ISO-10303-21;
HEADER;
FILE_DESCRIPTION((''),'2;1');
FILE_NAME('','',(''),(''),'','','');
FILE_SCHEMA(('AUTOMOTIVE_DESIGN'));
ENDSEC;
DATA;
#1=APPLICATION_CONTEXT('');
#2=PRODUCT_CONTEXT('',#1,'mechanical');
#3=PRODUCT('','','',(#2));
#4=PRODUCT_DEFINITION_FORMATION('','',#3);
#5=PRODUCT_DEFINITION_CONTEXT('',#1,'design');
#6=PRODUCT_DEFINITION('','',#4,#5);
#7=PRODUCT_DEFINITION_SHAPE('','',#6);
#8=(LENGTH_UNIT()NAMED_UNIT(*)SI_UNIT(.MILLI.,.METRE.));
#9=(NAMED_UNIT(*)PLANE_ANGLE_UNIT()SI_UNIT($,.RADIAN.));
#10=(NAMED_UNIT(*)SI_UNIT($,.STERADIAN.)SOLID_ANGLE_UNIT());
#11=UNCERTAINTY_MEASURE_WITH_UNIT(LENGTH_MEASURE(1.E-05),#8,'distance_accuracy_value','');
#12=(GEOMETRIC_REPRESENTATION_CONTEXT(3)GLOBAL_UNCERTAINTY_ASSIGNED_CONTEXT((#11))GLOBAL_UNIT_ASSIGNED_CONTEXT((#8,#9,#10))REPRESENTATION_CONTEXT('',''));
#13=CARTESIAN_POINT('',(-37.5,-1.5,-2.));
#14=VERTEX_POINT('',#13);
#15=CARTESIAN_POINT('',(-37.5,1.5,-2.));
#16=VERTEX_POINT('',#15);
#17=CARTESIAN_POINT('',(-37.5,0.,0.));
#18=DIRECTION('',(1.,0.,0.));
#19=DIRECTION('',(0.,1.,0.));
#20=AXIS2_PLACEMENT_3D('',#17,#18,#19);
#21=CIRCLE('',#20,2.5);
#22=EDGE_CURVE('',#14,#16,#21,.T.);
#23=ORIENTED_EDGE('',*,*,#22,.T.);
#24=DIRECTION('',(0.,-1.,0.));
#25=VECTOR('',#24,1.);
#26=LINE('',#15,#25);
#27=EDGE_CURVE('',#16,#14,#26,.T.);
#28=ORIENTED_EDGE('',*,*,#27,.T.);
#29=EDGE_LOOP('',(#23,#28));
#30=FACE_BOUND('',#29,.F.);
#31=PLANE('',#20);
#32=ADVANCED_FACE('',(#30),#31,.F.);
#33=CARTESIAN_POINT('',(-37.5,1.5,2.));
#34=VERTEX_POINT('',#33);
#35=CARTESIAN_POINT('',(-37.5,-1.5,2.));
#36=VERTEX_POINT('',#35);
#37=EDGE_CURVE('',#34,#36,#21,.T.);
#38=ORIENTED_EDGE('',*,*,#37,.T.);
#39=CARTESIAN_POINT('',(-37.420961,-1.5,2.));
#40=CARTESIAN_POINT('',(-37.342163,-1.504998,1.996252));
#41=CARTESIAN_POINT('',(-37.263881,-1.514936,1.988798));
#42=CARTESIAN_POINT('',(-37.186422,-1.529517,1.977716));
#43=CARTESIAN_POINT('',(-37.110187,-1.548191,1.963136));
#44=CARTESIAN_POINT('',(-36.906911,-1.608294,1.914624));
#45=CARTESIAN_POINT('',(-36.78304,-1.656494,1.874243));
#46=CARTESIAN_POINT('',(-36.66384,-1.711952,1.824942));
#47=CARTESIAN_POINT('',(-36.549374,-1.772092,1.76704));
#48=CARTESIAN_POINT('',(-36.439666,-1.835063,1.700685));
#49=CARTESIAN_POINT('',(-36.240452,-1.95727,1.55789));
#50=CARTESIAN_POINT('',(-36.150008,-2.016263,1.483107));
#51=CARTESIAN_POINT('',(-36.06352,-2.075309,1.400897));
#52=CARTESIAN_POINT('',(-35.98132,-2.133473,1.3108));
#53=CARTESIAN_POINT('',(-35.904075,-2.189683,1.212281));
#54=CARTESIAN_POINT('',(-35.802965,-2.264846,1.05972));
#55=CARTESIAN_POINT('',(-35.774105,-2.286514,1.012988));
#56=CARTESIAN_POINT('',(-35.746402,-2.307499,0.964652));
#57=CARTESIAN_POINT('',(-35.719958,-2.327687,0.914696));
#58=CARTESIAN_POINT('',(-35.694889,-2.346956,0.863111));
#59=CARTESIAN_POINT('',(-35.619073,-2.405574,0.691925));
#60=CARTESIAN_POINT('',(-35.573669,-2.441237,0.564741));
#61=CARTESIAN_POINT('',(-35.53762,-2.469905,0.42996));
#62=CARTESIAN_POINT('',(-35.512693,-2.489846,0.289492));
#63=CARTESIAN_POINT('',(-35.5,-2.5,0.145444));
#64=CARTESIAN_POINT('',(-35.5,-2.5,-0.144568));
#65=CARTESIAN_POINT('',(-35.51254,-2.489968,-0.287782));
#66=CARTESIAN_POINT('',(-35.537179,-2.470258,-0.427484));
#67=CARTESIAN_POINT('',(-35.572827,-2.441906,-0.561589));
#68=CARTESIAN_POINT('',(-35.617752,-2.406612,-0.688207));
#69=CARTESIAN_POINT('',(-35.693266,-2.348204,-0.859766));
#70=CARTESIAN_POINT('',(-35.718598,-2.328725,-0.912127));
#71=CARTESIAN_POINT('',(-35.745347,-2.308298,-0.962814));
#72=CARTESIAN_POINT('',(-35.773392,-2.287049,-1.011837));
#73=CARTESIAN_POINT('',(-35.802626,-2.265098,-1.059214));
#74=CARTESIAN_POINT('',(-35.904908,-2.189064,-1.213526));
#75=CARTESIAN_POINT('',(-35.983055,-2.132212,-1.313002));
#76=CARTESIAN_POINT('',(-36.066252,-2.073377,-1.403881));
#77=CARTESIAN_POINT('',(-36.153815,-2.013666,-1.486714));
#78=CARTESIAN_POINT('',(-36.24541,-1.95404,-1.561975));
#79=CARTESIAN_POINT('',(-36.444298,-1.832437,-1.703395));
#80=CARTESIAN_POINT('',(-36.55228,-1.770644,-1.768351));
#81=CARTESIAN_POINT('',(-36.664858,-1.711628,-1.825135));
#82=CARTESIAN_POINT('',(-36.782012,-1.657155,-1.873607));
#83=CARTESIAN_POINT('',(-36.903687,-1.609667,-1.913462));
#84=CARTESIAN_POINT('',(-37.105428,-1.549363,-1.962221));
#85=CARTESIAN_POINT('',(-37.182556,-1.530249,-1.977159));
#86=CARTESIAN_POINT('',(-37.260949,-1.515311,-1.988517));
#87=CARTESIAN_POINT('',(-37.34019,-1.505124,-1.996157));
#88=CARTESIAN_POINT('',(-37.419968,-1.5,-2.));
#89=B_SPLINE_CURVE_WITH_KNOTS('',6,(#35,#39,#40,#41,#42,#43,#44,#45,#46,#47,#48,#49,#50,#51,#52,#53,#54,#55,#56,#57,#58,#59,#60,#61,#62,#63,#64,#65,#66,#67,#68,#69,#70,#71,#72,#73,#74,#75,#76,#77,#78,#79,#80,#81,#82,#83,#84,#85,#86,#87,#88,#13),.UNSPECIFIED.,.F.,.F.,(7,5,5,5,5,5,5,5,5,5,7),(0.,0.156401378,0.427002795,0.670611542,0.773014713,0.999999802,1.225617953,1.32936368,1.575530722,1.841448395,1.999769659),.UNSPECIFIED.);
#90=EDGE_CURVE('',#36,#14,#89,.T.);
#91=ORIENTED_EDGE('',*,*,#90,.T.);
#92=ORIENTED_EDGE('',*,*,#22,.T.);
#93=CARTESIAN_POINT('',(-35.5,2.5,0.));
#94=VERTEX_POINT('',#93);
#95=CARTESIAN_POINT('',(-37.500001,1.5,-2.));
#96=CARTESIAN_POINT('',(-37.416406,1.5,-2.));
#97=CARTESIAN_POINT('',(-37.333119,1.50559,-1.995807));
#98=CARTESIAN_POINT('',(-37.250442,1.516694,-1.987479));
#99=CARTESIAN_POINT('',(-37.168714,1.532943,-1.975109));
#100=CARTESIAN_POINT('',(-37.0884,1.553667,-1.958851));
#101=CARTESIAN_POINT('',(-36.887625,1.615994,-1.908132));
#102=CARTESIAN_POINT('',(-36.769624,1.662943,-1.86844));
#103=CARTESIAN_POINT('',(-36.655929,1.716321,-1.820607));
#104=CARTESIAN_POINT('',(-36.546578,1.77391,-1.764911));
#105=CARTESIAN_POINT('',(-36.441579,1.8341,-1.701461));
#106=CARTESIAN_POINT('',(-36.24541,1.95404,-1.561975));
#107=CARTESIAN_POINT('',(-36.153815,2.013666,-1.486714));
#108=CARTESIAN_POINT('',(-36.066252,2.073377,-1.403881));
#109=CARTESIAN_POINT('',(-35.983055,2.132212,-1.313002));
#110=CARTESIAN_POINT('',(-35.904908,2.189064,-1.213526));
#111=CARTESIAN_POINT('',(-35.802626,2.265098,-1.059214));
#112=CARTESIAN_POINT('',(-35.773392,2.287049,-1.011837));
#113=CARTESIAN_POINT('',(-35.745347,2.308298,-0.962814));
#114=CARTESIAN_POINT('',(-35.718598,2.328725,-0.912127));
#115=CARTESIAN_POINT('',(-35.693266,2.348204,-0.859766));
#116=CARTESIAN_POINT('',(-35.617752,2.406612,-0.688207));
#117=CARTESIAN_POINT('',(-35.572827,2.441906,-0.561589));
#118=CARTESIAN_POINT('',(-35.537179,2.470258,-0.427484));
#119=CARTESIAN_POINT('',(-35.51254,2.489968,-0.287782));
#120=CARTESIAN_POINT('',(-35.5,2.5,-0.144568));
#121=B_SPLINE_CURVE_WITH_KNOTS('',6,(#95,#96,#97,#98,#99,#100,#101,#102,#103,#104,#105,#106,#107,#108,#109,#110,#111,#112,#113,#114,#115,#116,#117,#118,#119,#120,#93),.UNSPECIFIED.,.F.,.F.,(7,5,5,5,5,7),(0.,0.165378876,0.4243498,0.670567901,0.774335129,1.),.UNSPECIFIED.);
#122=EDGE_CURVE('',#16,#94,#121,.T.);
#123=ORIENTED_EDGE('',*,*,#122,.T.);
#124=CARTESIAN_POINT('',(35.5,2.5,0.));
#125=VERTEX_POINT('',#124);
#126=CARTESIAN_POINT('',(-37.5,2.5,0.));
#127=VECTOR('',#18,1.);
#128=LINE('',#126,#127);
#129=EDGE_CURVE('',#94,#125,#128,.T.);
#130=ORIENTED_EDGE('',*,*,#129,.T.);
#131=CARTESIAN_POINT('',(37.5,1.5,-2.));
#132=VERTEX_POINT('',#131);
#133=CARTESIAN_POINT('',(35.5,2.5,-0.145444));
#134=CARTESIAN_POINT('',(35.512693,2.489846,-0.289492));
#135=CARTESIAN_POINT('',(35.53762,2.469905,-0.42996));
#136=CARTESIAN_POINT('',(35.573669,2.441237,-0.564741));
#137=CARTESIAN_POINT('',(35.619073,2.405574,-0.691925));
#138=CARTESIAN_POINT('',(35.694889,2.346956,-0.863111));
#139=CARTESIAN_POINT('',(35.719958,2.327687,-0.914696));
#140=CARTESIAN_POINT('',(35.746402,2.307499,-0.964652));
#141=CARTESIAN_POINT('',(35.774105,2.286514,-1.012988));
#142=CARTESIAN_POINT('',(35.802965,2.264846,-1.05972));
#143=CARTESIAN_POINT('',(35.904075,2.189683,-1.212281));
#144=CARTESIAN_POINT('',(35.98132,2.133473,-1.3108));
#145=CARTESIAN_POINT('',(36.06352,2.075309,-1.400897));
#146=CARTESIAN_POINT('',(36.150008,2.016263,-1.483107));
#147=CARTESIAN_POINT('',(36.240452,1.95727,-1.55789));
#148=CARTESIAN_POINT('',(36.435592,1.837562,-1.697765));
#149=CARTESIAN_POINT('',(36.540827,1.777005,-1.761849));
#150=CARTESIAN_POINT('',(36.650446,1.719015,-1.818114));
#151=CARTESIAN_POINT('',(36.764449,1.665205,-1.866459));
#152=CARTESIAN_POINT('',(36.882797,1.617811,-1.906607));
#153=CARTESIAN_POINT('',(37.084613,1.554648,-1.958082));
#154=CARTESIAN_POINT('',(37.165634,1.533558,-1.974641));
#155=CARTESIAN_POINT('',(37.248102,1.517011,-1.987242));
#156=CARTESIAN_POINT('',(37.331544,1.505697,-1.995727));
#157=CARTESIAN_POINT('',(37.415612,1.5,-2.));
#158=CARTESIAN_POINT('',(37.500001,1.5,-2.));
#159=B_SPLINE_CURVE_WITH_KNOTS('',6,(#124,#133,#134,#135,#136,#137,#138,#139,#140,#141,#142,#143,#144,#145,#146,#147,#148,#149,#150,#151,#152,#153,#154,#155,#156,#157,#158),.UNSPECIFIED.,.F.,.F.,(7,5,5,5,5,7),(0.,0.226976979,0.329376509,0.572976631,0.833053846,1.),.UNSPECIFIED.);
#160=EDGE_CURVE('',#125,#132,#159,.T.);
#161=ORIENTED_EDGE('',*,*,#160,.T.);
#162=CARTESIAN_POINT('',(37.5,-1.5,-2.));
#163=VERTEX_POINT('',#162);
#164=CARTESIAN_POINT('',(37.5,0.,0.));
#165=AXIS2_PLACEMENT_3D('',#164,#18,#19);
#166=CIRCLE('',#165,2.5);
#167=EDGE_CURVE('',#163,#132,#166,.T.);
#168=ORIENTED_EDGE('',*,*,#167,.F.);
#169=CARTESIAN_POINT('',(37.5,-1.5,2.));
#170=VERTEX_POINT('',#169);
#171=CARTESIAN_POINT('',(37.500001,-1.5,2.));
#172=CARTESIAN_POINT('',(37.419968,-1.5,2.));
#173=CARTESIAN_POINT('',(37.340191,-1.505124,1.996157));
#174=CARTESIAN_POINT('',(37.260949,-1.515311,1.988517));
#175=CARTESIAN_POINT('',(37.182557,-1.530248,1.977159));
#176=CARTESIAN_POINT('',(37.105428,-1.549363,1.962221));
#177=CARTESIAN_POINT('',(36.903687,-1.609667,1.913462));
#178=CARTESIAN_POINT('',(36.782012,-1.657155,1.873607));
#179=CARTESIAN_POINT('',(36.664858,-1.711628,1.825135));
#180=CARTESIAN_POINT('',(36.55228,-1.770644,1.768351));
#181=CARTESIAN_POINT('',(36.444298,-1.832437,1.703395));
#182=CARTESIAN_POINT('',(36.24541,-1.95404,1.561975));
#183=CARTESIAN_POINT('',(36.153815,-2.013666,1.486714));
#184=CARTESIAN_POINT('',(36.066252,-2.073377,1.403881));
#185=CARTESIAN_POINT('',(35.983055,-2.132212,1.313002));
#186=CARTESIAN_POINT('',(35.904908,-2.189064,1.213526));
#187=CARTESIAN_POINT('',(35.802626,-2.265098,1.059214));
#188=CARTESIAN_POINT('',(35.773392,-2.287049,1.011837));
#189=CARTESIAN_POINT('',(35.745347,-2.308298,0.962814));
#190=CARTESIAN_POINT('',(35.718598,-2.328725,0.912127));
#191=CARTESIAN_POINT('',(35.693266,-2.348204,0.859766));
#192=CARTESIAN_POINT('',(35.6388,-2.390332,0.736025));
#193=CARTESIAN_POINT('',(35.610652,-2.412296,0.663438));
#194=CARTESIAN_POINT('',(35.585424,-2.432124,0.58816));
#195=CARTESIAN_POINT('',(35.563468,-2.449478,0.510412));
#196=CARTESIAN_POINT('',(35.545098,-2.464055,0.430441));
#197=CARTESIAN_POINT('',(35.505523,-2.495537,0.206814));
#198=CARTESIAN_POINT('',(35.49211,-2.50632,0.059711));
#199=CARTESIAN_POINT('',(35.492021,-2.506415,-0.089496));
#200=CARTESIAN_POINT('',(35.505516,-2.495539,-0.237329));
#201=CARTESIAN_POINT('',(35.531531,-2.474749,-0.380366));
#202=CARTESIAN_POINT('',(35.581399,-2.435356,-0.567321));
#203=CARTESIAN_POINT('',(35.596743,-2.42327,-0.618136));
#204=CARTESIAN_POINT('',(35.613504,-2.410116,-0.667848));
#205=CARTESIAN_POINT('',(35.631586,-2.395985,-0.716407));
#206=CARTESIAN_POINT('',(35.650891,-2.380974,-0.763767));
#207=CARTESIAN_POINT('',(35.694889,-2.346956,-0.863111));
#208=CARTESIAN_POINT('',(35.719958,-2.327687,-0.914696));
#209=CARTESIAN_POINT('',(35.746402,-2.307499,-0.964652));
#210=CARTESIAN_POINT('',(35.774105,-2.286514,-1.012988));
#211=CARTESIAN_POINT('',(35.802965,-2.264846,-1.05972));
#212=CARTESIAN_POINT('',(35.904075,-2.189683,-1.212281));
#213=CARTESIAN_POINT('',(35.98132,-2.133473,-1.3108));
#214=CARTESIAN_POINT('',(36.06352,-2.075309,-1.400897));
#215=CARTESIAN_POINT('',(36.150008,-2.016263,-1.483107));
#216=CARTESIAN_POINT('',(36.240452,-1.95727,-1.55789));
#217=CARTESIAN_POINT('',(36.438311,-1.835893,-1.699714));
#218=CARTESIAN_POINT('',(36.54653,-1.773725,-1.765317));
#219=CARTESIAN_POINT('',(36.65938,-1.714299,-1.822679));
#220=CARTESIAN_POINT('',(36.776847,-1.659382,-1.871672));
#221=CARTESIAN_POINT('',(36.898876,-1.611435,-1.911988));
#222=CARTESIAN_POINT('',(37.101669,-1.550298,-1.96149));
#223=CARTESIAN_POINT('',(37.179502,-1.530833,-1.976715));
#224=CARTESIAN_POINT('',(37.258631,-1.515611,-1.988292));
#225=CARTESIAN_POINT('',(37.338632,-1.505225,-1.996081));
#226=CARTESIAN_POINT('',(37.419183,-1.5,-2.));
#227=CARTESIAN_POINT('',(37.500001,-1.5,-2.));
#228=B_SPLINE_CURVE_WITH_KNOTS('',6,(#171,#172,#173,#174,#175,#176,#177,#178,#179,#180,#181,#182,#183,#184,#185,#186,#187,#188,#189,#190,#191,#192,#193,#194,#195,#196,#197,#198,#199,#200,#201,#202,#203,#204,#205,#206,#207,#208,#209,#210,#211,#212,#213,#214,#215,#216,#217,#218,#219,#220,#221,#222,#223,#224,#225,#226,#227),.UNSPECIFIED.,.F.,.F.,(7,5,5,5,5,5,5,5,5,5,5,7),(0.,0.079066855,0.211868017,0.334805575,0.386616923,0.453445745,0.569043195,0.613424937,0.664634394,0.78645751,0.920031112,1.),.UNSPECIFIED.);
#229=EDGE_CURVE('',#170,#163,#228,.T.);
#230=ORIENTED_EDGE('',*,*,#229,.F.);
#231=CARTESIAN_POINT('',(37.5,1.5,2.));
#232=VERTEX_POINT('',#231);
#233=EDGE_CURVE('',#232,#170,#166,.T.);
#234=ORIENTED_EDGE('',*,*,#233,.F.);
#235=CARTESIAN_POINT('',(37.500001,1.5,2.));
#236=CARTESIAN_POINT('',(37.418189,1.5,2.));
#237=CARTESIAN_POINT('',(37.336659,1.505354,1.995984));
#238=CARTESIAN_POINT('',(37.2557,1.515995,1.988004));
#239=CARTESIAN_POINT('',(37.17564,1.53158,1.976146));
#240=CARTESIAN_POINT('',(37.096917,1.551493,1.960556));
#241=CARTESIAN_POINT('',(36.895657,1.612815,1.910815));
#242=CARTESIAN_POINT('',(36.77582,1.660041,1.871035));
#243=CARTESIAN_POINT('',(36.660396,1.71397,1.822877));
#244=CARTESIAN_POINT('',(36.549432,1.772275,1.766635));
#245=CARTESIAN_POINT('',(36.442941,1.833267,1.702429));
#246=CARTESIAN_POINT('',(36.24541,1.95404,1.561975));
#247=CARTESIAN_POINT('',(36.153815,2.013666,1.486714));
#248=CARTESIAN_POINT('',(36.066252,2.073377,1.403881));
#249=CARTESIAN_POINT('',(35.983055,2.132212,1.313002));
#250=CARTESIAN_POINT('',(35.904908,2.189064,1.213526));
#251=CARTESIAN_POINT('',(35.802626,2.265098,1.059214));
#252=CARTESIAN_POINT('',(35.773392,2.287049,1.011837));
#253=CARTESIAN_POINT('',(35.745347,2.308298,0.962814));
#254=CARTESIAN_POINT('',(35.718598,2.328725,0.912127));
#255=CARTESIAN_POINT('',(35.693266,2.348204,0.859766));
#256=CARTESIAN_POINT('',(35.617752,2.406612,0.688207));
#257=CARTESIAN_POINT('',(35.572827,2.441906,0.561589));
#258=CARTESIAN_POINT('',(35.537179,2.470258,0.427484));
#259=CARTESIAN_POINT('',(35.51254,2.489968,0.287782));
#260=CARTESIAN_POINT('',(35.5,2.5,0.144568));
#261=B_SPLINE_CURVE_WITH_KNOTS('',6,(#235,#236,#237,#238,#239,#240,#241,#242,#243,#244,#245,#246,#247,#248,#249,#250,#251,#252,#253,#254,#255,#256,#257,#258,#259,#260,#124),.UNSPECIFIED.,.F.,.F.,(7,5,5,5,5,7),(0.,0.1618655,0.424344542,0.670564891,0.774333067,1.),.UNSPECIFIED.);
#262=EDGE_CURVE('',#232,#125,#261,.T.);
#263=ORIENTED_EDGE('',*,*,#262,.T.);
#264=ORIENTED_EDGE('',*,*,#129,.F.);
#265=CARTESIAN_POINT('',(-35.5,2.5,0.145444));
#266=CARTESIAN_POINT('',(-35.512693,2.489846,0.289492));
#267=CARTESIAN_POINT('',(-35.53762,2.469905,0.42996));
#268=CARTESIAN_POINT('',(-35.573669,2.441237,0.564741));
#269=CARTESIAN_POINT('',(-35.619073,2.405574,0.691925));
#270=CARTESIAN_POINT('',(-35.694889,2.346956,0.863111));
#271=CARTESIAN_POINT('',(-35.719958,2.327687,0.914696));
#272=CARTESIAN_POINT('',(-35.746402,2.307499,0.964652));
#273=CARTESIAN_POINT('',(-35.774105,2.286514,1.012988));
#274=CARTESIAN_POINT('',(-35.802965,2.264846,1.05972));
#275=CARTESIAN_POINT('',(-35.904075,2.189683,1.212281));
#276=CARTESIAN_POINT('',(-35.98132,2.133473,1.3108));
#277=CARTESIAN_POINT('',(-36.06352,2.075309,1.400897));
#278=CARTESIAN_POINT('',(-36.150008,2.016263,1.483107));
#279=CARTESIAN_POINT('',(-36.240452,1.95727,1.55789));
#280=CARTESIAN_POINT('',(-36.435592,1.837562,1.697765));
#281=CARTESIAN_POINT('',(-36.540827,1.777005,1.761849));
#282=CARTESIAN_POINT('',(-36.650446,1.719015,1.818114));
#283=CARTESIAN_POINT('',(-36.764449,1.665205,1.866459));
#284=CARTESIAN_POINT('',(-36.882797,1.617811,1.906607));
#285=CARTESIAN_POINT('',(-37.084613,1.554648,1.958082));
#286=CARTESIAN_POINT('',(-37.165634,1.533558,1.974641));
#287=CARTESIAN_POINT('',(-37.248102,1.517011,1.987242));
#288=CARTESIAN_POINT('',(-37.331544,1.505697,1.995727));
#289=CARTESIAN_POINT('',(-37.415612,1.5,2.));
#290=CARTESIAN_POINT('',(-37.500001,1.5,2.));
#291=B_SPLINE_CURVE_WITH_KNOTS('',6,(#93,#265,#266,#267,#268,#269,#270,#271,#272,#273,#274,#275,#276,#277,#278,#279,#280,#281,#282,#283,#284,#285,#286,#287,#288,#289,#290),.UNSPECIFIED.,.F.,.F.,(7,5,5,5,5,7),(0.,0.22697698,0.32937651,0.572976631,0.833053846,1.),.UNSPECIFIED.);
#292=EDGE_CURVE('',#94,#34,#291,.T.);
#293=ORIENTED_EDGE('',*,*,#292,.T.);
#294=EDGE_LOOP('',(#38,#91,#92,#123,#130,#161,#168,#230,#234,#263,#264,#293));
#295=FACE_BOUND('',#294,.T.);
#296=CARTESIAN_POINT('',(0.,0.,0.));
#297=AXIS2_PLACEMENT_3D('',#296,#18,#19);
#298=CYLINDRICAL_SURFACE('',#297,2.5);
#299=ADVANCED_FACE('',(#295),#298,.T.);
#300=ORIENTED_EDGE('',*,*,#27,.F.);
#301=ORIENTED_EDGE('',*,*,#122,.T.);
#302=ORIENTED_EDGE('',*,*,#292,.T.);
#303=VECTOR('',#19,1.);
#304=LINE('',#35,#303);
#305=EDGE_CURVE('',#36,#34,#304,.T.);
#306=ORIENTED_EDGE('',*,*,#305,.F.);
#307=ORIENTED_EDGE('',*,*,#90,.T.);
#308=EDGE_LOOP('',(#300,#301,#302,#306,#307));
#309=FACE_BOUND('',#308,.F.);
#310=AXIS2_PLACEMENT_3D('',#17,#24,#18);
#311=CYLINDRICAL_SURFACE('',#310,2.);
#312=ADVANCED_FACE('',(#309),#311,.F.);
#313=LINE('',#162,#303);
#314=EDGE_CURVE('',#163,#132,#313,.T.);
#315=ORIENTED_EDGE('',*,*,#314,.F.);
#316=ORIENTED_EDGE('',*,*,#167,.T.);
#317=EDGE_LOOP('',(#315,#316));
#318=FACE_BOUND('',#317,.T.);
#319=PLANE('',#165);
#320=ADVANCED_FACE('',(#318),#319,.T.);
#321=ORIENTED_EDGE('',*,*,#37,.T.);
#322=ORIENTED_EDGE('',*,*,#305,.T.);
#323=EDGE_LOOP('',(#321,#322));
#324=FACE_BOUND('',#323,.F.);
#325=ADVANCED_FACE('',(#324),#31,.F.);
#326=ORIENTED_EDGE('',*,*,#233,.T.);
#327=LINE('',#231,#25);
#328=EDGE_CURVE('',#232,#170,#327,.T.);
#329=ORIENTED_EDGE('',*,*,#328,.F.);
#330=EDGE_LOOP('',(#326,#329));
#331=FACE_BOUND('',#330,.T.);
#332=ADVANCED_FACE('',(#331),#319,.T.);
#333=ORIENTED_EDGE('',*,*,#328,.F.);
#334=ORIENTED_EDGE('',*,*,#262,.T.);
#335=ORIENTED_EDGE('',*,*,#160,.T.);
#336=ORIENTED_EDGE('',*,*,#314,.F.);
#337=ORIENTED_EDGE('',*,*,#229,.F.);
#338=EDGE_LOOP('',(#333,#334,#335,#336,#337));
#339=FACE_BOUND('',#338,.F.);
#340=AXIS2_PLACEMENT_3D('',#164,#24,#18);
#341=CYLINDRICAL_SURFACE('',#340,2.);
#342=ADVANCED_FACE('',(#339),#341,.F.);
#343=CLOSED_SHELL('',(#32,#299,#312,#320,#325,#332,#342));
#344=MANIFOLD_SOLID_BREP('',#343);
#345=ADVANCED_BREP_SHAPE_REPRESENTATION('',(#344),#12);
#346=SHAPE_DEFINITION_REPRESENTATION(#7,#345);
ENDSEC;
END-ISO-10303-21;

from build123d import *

# Parameters (mm, degrees)
F1_R          = 2.5
F2_DEPTH      = 37.5
F3_R          = 2
F4_DEPTH      = 2.501
F4_DEPTH_BACK = 2.501


with BuildPart() as f2:
    # F1 (on Right) → F2 (new body, symmetric)
    with BuildSketch(Plane.YZ):
        Circle(F1_R)
    extrude(amount=F2_DEPTH, both=True)

    # F3 (on Front) → F4 (cut, two sides)
    with BuildSketch(Plane.XZ) as f4_sk:
        with Locations((-37.5, 0)):
            Circle(F3_R)
        with Locations((37.5, 0)):
            Circle(F3_R)
    extrude(amount=-F4_DEPTH, mode=Mode.SUBTRACT)
    extrude(f4_sk.sketch, amount=F4_DEPTH_BACK, mode=Mode.SUBTRACT)


solid = f2.part
